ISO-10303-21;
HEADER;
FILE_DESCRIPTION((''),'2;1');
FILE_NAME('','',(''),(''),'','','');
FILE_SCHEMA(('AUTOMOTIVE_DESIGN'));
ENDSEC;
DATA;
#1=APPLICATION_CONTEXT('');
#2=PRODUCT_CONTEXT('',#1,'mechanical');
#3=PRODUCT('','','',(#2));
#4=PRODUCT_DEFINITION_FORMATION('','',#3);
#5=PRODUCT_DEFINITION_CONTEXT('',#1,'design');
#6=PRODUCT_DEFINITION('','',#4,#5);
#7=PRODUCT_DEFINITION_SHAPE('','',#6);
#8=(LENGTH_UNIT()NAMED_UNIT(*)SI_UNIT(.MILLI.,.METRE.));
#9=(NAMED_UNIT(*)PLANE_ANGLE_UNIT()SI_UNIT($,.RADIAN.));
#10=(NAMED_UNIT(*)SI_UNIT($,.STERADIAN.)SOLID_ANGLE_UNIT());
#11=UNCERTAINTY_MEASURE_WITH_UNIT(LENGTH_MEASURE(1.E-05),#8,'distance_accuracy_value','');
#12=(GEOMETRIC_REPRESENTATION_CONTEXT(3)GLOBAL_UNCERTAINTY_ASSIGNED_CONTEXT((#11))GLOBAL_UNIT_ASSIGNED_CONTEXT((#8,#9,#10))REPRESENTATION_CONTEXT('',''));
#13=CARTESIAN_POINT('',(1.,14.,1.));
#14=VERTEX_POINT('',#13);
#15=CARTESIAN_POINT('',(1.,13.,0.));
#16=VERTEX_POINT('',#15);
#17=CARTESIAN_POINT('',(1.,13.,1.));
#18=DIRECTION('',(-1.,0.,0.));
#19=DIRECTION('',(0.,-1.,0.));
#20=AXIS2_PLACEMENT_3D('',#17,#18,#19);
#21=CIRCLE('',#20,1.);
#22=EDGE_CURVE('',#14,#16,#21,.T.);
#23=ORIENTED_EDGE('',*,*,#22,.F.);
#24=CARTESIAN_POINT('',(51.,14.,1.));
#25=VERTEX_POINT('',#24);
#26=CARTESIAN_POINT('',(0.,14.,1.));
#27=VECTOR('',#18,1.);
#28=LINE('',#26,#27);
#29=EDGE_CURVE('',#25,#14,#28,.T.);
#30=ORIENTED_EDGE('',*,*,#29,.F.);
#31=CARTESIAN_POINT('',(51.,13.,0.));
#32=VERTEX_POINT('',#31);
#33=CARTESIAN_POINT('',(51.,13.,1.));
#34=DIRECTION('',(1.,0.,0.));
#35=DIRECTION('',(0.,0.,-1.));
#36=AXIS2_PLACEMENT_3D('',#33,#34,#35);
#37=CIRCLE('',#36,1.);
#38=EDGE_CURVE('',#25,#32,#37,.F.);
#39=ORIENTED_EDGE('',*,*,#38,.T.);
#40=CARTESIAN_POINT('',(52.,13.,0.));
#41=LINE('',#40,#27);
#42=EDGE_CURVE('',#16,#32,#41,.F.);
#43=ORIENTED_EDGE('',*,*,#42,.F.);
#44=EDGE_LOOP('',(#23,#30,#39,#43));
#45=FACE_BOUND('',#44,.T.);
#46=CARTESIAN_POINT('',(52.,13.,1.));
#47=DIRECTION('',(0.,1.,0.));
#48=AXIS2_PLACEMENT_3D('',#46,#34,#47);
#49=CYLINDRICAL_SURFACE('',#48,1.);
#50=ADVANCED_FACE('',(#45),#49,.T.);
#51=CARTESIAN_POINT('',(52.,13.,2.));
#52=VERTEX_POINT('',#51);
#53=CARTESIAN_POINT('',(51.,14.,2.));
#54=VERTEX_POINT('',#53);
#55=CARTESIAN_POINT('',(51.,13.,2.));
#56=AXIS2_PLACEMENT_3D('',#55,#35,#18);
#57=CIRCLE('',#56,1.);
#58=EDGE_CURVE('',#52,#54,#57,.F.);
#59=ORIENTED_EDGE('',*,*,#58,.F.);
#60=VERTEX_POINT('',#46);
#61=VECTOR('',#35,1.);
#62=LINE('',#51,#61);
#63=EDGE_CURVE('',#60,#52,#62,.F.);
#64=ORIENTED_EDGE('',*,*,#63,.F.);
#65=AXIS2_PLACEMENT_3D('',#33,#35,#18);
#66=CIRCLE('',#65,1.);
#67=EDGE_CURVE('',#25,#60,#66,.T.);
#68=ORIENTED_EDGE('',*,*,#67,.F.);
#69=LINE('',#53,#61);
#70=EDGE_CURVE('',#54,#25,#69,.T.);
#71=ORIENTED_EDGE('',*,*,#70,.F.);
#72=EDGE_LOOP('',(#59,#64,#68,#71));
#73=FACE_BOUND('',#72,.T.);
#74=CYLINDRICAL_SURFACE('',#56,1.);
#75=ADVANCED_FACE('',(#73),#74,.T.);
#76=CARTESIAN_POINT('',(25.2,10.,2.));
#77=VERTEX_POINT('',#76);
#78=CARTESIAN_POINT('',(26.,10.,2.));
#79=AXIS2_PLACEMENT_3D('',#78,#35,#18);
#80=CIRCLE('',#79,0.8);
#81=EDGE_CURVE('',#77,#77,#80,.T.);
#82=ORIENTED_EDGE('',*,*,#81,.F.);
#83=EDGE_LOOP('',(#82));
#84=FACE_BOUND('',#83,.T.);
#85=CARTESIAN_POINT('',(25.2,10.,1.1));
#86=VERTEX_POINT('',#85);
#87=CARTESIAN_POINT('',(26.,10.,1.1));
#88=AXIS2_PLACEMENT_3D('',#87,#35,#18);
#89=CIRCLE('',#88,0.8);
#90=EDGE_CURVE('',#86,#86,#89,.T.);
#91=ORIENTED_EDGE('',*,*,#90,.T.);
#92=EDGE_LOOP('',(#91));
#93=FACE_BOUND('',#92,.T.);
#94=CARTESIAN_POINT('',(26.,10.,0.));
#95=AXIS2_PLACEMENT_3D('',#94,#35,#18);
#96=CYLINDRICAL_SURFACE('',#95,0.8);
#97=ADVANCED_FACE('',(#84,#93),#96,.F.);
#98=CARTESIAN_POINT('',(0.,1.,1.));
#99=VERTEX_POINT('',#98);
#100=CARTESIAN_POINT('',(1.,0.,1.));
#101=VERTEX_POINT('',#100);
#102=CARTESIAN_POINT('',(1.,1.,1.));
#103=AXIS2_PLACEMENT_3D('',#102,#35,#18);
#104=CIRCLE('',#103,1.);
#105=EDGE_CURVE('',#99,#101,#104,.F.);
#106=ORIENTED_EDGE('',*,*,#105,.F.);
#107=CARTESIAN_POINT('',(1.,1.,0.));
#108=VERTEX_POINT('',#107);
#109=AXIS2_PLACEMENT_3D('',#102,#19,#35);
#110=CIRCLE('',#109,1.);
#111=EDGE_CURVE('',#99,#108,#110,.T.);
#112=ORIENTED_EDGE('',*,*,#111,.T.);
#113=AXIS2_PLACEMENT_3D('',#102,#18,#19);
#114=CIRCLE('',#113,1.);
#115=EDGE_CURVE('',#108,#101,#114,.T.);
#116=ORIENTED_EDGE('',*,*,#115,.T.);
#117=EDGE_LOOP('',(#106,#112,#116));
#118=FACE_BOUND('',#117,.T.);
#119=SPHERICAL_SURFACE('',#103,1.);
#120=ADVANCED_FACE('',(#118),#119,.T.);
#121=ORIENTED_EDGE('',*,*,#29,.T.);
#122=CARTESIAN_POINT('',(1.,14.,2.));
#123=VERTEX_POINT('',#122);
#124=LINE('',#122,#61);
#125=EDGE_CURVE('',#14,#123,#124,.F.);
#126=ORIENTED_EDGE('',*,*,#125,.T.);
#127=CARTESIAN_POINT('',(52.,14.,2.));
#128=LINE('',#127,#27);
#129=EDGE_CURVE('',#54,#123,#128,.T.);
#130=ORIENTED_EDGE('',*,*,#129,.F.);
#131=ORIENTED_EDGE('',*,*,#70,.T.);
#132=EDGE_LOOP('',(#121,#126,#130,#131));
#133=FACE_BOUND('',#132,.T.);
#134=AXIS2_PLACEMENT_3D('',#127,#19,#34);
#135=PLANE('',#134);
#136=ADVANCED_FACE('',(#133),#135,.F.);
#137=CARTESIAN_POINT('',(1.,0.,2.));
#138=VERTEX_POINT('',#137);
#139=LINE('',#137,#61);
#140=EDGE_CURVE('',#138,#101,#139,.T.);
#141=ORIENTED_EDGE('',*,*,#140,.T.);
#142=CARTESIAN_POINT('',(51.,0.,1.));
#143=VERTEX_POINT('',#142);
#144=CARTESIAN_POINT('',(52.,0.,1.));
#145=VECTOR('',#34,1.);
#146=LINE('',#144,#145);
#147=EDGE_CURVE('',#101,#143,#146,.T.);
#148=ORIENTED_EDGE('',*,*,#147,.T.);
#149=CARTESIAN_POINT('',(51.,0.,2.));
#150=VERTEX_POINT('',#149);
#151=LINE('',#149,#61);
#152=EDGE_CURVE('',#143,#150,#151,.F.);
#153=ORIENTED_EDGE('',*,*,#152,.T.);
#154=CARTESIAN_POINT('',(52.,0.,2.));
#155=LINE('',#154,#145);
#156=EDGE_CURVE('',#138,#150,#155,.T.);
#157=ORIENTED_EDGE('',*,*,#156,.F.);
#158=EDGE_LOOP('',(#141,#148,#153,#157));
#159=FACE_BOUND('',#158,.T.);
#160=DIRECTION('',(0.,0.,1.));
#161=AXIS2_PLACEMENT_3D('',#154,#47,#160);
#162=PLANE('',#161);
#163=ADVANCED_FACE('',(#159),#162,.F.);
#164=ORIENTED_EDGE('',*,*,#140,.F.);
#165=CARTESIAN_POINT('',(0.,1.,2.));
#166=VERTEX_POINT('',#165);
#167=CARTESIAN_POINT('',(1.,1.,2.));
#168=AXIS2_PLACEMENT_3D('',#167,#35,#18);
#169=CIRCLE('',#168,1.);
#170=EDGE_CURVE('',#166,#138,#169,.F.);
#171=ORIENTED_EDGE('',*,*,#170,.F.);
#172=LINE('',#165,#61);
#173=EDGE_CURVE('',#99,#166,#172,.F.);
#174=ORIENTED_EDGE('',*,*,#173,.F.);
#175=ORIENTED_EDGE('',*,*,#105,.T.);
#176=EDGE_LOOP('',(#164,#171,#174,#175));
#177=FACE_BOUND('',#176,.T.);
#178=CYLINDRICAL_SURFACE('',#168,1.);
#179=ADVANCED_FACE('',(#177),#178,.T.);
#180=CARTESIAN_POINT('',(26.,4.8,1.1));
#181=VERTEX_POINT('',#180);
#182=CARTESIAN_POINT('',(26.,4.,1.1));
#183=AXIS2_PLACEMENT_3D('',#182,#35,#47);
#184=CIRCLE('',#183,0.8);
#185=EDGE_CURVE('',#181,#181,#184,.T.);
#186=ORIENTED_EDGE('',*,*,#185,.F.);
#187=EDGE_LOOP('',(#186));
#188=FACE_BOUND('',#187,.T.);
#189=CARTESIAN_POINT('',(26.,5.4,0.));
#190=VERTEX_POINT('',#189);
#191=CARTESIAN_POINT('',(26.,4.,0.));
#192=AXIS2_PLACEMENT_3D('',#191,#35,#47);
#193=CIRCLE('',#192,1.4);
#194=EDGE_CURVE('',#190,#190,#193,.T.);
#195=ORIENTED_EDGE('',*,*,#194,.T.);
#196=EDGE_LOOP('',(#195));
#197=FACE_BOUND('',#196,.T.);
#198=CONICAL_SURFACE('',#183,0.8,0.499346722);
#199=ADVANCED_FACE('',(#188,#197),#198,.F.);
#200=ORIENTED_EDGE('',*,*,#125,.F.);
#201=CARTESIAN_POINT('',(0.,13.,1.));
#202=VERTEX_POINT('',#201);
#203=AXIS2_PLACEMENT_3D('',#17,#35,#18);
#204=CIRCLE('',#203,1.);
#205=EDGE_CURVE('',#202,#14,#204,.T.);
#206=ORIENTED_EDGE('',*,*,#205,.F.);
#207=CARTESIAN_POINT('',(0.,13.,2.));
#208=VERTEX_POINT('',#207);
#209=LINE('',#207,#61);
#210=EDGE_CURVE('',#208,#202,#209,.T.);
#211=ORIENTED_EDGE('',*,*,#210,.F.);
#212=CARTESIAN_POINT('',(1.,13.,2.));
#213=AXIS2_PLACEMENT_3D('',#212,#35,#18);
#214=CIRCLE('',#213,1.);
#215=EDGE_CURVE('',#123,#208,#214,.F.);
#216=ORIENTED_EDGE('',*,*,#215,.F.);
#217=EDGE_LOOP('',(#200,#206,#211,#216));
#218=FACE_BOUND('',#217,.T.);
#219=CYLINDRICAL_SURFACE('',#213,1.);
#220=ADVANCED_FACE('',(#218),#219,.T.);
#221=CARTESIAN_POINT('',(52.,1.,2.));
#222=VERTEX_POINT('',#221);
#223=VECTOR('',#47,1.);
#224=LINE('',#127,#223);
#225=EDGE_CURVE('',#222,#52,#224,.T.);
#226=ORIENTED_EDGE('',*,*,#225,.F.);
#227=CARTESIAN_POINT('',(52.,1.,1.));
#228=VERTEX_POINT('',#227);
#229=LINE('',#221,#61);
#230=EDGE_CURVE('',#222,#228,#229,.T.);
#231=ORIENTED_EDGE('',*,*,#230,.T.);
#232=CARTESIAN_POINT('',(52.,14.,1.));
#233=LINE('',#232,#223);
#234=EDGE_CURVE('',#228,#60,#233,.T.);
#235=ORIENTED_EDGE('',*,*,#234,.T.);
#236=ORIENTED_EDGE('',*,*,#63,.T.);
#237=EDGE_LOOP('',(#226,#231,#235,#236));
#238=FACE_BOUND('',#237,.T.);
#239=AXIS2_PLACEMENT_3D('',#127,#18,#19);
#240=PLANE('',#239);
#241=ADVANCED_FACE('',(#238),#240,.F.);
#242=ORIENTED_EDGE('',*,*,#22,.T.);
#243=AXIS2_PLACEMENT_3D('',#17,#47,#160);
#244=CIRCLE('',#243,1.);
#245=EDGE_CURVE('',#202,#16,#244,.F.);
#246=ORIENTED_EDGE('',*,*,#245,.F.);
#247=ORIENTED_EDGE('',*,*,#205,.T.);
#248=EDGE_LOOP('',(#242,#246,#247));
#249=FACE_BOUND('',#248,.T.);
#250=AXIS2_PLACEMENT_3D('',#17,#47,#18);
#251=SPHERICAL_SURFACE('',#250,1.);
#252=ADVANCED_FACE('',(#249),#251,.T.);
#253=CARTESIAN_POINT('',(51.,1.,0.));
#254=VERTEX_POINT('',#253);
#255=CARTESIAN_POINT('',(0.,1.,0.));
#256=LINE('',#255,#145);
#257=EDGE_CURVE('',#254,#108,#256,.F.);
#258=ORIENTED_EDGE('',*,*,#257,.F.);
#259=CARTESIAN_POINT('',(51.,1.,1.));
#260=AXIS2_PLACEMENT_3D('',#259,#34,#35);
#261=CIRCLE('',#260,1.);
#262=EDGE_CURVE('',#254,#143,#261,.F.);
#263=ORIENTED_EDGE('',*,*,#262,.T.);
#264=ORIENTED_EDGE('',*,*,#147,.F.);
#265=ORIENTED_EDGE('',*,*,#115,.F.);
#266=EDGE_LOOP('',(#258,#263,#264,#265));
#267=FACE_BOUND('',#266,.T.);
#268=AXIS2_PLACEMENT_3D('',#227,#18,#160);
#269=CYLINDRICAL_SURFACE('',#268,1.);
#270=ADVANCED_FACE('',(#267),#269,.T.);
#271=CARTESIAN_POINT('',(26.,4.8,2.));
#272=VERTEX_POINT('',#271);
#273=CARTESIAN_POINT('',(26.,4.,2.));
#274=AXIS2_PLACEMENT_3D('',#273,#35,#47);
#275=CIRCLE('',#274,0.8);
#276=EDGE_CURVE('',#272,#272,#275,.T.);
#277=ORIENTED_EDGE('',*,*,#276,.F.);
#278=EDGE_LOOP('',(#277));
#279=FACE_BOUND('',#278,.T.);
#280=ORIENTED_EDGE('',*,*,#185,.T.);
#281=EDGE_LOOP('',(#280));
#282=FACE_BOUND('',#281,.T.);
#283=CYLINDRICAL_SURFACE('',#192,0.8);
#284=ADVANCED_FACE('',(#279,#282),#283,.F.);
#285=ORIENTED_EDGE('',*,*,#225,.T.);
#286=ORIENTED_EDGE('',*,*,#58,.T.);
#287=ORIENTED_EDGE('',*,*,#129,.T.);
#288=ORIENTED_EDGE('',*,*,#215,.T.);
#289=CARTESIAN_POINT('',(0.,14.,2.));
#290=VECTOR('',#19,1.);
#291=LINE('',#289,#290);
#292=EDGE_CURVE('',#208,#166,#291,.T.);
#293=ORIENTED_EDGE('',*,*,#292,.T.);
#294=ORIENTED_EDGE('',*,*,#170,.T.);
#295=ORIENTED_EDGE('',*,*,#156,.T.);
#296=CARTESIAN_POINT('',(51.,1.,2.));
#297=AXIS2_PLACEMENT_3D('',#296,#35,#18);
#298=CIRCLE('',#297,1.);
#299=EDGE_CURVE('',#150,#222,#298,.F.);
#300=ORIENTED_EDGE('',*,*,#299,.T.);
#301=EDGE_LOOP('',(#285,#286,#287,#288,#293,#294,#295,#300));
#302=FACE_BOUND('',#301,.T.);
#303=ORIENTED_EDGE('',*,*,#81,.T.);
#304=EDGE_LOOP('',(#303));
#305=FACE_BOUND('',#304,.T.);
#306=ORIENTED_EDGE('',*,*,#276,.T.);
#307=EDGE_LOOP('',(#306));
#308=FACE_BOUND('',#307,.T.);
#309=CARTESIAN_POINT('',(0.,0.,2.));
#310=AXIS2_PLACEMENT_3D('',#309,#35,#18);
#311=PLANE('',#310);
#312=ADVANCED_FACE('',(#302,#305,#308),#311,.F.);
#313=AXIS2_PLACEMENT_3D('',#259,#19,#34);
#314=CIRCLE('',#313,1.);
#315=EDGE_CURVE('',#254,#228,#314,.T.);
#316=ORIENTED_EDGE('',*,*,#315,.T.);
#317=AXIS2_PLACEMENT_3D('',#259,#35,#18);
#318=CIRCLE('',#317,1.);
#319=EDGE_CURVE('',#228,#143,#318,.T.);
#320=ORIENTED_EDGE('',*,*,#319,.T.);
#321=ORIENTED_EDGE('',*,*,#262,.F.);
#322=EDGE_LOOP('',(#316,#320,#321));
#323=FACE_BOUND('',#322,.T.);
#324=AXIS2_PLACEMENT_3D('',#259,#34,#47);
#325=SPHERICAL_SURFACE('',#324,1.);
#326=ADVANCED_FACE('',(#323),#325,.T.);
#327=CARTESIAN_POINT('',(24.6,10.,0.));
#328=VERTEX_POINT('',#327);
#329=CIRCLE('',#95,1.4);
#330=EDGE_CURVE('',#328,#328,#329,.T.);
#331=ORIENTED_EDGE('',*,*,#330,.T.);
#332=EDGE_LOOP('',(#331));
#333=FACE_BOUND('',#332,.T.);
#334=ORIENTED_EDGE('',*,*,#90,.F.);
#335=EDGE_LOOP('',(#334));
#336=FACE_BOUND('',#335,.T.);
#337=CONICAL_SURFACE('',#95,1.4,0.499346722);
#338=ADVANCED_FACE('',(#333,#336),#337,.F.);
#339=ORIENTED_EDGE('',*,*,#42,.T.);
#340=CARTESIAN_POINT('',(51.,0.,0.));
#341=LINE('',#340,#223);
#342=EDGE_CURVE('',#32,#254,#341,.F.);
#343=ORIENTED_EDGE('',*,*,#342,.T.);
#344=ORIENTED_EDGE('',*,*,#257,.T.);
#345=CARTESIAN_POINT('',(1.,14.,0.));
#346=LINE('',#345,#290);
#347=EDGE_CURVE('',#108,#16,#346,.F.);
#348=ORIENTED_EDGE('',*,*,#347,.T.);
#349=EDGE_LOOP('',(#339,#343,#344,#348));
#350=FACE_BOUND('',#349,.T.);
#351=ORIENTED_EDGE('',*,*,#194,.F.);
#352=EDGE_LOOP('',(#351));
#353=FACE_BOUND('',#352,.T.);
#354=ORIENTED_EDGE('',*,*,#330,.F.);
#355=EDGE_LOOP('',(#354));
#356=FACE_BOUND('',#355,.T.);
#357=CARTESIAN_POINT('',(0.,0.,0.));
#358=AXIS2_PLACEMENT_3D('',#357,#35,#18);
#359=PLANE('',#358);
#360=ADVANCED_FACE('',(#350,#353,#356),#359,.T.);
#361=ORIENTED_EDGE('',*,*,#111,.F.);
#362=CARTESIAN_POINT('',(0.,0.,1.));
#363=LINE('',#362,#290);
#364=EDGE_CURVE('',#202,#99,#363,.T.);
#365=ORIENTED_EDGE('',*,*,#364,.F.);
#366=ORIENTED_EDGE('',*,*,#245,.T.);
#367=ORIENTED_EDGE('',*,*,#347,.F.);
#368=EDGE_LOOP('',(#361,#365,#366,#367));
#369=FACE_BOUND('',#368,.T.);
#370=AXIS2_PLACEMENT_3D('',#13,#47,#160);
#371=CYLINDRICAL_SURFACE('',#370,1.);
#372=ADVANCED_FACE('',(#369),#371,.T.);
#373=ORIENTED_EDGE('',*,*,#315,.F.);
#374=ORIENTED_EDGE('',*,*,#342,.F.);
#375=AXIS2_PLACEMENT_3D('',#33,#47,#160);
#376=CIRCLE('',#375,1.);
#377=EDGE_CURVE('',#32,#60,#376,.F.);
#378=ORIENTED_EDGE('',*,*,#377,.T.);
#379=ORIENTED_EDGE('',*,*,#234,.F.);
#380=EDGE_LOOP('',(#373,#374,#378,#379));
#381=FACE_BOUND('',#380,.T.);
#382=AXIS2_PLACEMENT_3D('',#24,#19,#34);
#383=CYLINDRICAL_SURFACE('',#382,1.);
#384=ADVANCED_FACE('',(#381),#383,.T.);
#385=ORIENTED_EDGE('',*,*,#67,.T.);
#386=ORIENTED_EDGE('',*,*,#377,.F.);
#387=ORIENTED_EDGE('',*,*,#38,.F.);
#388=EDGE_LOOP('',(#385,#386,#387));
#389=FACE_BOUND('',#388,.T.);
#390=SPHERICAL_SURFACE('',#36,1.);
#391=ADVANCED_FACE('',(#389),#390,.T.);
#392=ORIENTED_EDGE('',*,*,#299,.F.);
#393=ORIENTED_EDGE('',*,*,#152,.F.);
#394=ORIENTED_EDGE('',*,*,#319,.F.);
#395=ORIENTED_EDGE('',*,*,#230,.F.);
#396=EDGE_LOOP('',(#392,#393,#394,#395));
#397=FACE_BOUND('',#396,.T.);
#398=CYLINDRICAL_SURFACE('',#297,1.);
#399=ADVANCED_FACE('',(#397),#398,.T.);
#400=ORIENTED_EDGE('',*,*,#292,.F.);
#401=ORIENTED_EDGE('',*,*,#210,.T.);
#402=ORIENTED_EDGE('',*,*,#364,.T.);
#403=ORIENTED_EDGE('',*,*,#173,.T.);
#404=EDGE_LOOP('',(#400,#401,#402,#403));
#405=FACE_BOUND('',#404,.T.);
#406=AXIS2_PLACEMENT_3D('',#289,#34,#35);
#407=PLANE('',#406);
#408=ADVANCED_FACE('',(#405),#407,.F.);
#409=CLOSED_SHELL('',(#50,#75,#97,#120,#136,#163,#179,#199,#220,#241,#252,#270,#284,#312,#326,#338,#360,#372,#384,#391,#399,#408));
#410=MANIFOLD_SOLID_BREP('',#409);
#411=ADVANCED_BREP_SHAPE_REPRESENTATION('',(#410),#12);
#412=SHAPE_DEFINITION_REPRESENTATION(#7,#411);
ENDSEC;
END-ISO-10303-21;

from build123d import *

# Parameters (mm, degrees)
SKETCH_1_W      = 52
SKETCH_1_H      = 14
EXTRUDE_1_DEPTH = 2
FILLET_2_R      = 1


with BuildPart() as part:
    # 草图1 → 凸台-拉伸1 (new body)
    with BuildSketch(Plane.XY):
        with Locations((26, 7)):
            Rectangle(SKETCH_1_W, SKETCH_1_H)
    extrude(amount=EXTRUDE_1_DEPTH)

    # 圆角2
    fillet_2_edges = [part.edges().sort_by_distance(p)[0] for p in [
        (26, 0, 0),
        (0, 7, 0),
        (26, 14, 0),
        (52, 7, 0),
        (52, 0, 1),
        (0, 0, 1),
        (0, 14, 1),
        (52, 14, 1),
    ]]
    fillet(fillet_2_edges, radius=FILLET_2_R)

    # 草图6 → 切除-旋转4 (revolve, cut)
    with BuildSketch(Plane(origin=(26, 0, 0), x_dir=(0, 0, -1), z_dir=(1, 0, 0)), mode=Mode.PRIVATE) as cut_revolve_4_sk:
        Polygon((0, 10), (0, 11.4), (-1.1, 10.8), (-2, 10.8), (-2, 10), align=None)
    revolve(cut_revolve_4_sk.sketch.rotate(Axis((26, 10, 0), (0, 0, 1)), 90), axis=Axis((26, 10, 0), (0, 0, 1)), mode=Mode.SUBTRACT)

    # 草图5 → 切除-旋转5 (revolve, cut)
    with BuildSketch(Plane(origin=(26, 0, 0), x_dir=(0, 0, -1), z_dir=(1, 0, 0)), mode=Mode.PRIVATE) as cut_revolve_5_sk:
        Polygon((0, 4), (0, 2.6), (-1.1, 3.2), (-2, 3.2), (-2, 4), align=None)
    revolve(cut_revolve_5_sk.sketch.rotate(Axis((26, 4, 0), (0, 0, 1)), 180), axis=Axis((26, 4, 0), (0, 0, 1)), mode=Mode.SUBTRACT)


solid = part.part
